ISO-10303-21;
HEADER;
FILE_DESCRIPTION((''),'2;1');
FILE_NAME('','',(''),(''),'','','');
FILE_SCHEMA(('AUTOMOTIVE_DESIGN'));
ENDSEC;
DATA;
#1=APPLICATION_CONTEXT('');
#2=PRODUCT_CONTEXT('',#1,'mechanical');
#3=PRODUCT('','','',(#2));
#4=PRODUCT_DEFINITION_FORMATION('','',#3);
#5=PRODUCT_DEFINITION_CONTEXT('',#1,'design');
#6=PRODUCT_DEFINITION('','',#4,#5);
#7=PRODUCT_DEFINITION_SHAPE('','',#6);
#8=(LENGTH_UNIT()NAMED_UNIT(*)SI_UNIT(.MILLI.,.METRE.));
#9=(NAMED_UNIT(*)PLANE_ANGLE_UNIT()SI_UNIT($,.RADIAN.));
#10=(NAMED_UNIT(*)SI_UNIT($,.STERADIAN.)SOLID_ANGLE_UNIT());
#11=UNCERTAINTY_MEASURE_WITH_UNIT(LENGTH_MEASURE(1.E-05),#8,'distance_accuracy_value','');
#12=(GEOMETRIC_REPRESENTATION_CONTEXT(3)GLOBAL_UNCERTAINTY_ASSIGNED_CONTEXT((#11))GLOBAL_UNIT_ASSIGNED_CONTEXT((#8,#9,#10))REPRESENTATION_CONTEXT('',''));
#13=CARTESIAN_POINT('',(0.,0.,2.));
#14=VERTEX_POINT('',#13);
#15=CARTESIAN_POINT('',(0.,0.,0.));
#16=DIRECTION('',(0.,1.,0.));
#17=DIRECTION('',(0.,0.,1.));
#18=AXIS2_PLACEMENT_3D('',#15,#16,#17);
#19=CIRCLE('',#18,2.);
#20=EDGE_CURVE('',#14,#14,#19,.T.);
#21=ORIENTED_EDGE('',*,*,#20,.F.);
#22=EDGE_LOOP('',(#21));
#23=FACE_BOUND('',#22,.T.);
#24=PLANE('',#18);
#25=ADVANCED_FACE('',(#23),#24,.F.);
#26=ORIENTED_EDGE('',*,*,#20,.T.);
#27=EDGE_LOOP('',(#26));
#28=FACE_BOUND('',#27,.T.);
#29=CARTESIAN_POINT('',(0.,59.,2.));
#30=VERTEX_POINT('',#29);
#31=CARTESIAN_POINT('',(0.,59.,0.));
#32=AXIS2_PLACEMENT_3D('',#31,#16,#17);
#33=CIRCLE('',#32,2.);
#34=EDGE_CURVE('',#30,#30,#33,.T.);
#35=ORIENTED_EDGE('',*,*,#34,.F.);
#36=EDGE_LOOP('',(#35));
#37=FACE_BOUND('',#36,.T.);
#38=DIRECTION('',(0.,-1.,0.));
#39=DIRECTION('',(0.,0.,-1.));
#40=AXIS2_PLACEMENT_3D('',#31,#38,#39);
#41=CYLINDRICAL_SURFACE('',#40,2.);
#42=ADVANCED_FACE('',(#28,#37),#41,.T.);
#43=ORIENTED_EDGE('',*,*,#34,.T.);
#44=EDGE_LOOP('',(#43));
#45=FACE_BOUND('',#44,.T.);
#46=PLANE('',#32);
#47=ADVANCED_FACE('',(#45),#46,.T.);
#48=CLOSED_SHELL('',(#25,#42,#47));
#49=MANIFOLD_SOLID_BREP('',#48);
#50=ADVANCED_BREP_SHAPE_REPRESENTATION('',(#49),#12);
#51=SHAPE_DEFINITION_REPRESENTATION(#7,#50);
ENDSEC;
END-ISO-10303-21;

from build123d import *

# Parameters (mm, degrees)
SKETCH_1_R      = 2
EXTRUDE_1_DEPTH = 59


with BuildPart() as part:
    # 草图1 → 凸台-拉伸1 (new body)
    with BuildSketch(Plane(origin=(0, 0, 0), x_dir=(1, 0, 0), z_dir=(0, 1, 0))):
        Circle(SKETCH_1_R)
    extrude(amount=EXTRUDE_1_DEPTH)


solid = part.part
